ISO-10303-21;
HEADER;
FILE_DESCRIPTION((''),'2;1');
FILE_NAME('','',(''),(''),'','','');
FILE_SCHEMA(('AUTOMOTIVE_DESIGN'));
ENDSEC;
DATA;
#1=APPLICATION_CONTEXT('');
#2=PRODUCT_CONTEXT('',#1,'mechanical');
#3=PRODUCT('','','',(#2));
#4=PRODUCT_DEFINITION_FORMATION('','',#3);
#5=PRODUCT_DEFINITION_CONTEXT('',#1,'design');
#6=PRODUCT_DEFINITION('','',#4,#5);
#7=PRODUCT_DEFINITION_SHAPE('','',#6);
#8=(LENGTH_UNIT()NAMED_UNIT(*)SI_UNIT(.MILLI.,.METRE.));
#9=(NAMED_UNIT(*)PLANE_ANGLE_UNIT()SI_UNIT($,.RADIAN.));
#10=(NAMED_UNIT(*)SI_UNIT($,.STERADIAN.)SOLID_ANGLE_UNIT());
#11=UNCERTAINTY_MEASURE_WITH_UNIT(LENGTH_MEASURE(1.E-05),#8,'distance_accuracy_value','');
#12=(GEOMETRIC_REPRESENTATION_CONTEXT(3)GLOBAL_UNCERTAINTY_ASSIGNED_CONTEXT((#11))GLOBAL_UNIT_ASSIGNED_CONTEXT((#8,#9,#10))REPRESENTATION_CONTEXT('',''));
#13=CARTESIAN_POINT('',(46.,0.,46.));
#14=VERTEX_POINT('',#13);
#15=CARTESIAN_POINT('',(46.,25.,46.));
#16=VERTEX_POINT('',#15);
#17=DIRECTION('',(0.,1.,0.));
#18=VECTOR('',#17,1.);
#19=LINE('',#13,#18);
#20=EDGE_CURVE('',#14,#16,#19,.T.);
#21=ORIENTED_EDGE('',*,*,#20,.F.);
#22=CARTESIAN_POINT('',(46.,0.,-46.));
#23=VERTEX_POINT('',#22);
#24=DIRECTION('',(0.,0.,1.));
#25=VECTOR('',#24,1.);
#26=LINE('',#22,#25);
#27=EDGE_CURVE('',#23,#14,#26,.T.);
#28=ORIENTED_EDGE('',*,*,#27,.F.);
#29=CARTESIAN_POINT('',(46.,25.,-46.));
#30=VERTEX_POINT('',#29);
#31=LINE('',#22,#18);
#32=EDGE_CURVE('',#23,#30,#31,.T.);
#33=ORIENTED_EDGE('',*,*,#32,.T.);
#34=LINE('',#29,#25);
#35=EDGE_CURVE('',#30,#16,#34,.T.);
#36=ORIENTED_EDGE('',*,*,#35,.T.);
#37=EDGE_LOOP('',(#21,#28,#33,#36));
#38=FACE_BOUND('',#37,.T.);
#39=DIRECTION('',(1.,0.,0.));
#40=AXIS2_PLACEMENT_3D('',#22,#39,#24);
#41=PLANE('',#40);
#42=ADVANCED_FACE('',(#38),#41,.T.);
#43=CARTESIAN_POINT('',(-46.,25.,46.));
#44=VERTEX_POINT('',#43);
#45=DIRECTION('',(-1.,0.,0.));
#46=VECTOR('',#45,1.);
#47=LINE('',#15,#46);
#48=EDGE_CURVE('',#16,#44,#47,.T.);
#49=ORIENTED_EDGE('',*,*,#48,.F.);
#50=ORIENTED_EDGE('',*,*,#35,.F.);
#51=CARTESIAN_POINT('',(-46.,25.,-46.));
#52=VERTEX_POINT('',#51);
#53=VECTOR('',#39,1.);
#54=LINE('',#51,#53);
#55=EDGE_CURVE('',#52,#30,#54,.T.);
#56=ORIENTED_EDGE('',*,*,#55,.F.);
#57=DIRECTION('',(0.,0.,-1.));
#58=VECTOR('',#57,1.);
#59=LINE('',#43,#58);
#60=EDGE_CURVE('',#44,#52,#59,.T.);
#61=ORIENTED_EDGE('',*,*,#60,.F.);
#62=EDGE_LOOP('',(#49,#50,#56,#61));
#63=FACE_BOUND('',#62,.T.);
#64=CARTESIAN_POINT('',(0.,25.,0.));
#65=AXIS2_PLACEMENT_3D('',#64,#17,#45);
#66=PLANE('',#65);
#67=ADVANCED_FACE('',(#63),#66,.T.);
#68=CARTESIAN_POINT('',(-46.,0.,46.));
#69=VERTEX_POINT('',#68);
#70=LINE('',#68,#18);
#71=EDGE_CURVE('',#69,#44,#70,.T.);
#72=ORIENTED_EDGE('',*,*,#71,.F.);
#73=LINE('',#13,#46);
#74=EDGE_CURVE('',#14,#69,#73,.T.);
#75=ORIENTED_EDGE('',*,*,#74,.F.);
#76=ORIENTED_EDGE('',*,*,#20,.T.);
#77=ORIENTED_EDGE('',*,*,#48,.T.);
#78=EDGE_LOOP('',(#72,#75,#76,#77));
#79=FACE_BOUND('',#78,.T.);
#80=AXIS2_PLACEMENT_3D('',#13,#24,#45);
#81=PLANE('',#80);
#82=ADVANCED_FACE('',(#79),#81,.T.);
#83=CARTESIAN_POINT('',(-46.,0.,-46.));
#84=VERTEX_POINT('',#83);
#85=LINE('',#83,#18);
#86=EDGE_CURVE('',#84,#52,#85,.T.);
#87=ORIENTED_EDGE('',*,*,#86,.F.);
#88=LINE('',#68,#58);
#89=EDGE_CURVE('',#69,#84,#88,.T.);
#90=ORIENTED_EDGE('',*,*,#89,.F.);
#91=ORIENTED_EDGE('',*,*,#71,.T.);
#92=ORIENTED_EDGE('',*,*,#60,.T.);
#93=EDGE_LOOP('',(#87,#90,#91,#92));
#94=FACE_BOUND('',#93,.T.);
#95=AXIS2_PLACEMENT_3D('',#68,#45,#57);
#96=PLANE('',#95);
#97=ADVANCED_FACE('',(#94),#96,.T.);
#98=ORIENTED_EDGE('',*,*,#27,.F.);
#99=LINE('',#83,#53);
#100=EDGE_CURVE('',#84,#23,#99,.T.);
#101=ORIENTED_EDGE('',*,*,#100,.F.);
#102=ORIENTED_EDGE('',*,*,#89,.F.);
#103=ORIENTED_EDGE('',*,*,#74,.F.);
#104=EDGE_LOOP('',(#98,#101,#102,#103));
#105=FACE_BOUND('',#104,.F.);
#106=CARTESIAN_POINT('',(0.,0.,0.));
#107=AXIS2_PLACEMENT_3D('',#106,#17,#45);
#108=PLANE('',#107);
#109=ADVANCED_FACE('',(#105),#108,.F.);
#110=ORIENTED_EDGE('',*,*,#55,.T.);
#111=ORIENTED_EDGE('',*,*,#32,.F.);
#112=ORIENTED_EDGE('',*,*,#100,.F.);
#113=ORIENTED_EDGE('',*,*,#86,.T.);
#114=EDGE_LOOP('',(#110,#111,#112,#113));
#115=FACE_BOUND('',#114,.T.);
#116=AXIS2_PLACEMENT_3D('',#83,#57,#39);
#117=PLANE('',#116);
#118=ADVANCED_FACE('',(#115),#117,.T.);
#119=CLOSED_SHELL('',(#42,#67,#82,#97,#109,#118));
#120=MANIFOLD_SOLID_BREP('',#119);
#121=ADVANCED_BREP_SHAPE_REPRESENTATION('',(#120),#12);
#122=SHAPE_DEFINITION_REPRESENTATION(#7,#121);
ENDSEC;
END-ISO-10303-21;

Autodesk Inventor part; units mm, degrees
ref_plane "YZ Plane" through (0, 0, 0) normal (1, 0, 0) x (0, 1, 0)
ref_plane "XZ Plane" through (0, 0, 0) normal (0, 1, 0) x (-1, 0, 0)
ref_plane "XY Plane" through (0, 0, 0) normal (0, 0, 1) x (1, 0, 0)
sketch "スケッチ1" plane through (0, 0, 0) normal (0, 1, 0) x (-1, 0, 0)
  line L0 (46, -46) -> (-46, -46)
  line L1 (-46, -46) -> (-46, 46)
  line L2 (-46, 46) -> (46, 46)
  line L3 (46, 46) -> (46, -46)
  line L4 (46, -46) -> (-46, 46) construction
  line L5 (-46, -46) -> (46, 46) construction
  point P0 (0, 0)
  dimension "d0" = 92
  dimension "d1" = 92
extrude "押し出し1" add sketch "スケッチ1" along normal blind 25
equation "\"d1\" = d0"
properties part number "DCfan_small" material "ABS プラスチック"
